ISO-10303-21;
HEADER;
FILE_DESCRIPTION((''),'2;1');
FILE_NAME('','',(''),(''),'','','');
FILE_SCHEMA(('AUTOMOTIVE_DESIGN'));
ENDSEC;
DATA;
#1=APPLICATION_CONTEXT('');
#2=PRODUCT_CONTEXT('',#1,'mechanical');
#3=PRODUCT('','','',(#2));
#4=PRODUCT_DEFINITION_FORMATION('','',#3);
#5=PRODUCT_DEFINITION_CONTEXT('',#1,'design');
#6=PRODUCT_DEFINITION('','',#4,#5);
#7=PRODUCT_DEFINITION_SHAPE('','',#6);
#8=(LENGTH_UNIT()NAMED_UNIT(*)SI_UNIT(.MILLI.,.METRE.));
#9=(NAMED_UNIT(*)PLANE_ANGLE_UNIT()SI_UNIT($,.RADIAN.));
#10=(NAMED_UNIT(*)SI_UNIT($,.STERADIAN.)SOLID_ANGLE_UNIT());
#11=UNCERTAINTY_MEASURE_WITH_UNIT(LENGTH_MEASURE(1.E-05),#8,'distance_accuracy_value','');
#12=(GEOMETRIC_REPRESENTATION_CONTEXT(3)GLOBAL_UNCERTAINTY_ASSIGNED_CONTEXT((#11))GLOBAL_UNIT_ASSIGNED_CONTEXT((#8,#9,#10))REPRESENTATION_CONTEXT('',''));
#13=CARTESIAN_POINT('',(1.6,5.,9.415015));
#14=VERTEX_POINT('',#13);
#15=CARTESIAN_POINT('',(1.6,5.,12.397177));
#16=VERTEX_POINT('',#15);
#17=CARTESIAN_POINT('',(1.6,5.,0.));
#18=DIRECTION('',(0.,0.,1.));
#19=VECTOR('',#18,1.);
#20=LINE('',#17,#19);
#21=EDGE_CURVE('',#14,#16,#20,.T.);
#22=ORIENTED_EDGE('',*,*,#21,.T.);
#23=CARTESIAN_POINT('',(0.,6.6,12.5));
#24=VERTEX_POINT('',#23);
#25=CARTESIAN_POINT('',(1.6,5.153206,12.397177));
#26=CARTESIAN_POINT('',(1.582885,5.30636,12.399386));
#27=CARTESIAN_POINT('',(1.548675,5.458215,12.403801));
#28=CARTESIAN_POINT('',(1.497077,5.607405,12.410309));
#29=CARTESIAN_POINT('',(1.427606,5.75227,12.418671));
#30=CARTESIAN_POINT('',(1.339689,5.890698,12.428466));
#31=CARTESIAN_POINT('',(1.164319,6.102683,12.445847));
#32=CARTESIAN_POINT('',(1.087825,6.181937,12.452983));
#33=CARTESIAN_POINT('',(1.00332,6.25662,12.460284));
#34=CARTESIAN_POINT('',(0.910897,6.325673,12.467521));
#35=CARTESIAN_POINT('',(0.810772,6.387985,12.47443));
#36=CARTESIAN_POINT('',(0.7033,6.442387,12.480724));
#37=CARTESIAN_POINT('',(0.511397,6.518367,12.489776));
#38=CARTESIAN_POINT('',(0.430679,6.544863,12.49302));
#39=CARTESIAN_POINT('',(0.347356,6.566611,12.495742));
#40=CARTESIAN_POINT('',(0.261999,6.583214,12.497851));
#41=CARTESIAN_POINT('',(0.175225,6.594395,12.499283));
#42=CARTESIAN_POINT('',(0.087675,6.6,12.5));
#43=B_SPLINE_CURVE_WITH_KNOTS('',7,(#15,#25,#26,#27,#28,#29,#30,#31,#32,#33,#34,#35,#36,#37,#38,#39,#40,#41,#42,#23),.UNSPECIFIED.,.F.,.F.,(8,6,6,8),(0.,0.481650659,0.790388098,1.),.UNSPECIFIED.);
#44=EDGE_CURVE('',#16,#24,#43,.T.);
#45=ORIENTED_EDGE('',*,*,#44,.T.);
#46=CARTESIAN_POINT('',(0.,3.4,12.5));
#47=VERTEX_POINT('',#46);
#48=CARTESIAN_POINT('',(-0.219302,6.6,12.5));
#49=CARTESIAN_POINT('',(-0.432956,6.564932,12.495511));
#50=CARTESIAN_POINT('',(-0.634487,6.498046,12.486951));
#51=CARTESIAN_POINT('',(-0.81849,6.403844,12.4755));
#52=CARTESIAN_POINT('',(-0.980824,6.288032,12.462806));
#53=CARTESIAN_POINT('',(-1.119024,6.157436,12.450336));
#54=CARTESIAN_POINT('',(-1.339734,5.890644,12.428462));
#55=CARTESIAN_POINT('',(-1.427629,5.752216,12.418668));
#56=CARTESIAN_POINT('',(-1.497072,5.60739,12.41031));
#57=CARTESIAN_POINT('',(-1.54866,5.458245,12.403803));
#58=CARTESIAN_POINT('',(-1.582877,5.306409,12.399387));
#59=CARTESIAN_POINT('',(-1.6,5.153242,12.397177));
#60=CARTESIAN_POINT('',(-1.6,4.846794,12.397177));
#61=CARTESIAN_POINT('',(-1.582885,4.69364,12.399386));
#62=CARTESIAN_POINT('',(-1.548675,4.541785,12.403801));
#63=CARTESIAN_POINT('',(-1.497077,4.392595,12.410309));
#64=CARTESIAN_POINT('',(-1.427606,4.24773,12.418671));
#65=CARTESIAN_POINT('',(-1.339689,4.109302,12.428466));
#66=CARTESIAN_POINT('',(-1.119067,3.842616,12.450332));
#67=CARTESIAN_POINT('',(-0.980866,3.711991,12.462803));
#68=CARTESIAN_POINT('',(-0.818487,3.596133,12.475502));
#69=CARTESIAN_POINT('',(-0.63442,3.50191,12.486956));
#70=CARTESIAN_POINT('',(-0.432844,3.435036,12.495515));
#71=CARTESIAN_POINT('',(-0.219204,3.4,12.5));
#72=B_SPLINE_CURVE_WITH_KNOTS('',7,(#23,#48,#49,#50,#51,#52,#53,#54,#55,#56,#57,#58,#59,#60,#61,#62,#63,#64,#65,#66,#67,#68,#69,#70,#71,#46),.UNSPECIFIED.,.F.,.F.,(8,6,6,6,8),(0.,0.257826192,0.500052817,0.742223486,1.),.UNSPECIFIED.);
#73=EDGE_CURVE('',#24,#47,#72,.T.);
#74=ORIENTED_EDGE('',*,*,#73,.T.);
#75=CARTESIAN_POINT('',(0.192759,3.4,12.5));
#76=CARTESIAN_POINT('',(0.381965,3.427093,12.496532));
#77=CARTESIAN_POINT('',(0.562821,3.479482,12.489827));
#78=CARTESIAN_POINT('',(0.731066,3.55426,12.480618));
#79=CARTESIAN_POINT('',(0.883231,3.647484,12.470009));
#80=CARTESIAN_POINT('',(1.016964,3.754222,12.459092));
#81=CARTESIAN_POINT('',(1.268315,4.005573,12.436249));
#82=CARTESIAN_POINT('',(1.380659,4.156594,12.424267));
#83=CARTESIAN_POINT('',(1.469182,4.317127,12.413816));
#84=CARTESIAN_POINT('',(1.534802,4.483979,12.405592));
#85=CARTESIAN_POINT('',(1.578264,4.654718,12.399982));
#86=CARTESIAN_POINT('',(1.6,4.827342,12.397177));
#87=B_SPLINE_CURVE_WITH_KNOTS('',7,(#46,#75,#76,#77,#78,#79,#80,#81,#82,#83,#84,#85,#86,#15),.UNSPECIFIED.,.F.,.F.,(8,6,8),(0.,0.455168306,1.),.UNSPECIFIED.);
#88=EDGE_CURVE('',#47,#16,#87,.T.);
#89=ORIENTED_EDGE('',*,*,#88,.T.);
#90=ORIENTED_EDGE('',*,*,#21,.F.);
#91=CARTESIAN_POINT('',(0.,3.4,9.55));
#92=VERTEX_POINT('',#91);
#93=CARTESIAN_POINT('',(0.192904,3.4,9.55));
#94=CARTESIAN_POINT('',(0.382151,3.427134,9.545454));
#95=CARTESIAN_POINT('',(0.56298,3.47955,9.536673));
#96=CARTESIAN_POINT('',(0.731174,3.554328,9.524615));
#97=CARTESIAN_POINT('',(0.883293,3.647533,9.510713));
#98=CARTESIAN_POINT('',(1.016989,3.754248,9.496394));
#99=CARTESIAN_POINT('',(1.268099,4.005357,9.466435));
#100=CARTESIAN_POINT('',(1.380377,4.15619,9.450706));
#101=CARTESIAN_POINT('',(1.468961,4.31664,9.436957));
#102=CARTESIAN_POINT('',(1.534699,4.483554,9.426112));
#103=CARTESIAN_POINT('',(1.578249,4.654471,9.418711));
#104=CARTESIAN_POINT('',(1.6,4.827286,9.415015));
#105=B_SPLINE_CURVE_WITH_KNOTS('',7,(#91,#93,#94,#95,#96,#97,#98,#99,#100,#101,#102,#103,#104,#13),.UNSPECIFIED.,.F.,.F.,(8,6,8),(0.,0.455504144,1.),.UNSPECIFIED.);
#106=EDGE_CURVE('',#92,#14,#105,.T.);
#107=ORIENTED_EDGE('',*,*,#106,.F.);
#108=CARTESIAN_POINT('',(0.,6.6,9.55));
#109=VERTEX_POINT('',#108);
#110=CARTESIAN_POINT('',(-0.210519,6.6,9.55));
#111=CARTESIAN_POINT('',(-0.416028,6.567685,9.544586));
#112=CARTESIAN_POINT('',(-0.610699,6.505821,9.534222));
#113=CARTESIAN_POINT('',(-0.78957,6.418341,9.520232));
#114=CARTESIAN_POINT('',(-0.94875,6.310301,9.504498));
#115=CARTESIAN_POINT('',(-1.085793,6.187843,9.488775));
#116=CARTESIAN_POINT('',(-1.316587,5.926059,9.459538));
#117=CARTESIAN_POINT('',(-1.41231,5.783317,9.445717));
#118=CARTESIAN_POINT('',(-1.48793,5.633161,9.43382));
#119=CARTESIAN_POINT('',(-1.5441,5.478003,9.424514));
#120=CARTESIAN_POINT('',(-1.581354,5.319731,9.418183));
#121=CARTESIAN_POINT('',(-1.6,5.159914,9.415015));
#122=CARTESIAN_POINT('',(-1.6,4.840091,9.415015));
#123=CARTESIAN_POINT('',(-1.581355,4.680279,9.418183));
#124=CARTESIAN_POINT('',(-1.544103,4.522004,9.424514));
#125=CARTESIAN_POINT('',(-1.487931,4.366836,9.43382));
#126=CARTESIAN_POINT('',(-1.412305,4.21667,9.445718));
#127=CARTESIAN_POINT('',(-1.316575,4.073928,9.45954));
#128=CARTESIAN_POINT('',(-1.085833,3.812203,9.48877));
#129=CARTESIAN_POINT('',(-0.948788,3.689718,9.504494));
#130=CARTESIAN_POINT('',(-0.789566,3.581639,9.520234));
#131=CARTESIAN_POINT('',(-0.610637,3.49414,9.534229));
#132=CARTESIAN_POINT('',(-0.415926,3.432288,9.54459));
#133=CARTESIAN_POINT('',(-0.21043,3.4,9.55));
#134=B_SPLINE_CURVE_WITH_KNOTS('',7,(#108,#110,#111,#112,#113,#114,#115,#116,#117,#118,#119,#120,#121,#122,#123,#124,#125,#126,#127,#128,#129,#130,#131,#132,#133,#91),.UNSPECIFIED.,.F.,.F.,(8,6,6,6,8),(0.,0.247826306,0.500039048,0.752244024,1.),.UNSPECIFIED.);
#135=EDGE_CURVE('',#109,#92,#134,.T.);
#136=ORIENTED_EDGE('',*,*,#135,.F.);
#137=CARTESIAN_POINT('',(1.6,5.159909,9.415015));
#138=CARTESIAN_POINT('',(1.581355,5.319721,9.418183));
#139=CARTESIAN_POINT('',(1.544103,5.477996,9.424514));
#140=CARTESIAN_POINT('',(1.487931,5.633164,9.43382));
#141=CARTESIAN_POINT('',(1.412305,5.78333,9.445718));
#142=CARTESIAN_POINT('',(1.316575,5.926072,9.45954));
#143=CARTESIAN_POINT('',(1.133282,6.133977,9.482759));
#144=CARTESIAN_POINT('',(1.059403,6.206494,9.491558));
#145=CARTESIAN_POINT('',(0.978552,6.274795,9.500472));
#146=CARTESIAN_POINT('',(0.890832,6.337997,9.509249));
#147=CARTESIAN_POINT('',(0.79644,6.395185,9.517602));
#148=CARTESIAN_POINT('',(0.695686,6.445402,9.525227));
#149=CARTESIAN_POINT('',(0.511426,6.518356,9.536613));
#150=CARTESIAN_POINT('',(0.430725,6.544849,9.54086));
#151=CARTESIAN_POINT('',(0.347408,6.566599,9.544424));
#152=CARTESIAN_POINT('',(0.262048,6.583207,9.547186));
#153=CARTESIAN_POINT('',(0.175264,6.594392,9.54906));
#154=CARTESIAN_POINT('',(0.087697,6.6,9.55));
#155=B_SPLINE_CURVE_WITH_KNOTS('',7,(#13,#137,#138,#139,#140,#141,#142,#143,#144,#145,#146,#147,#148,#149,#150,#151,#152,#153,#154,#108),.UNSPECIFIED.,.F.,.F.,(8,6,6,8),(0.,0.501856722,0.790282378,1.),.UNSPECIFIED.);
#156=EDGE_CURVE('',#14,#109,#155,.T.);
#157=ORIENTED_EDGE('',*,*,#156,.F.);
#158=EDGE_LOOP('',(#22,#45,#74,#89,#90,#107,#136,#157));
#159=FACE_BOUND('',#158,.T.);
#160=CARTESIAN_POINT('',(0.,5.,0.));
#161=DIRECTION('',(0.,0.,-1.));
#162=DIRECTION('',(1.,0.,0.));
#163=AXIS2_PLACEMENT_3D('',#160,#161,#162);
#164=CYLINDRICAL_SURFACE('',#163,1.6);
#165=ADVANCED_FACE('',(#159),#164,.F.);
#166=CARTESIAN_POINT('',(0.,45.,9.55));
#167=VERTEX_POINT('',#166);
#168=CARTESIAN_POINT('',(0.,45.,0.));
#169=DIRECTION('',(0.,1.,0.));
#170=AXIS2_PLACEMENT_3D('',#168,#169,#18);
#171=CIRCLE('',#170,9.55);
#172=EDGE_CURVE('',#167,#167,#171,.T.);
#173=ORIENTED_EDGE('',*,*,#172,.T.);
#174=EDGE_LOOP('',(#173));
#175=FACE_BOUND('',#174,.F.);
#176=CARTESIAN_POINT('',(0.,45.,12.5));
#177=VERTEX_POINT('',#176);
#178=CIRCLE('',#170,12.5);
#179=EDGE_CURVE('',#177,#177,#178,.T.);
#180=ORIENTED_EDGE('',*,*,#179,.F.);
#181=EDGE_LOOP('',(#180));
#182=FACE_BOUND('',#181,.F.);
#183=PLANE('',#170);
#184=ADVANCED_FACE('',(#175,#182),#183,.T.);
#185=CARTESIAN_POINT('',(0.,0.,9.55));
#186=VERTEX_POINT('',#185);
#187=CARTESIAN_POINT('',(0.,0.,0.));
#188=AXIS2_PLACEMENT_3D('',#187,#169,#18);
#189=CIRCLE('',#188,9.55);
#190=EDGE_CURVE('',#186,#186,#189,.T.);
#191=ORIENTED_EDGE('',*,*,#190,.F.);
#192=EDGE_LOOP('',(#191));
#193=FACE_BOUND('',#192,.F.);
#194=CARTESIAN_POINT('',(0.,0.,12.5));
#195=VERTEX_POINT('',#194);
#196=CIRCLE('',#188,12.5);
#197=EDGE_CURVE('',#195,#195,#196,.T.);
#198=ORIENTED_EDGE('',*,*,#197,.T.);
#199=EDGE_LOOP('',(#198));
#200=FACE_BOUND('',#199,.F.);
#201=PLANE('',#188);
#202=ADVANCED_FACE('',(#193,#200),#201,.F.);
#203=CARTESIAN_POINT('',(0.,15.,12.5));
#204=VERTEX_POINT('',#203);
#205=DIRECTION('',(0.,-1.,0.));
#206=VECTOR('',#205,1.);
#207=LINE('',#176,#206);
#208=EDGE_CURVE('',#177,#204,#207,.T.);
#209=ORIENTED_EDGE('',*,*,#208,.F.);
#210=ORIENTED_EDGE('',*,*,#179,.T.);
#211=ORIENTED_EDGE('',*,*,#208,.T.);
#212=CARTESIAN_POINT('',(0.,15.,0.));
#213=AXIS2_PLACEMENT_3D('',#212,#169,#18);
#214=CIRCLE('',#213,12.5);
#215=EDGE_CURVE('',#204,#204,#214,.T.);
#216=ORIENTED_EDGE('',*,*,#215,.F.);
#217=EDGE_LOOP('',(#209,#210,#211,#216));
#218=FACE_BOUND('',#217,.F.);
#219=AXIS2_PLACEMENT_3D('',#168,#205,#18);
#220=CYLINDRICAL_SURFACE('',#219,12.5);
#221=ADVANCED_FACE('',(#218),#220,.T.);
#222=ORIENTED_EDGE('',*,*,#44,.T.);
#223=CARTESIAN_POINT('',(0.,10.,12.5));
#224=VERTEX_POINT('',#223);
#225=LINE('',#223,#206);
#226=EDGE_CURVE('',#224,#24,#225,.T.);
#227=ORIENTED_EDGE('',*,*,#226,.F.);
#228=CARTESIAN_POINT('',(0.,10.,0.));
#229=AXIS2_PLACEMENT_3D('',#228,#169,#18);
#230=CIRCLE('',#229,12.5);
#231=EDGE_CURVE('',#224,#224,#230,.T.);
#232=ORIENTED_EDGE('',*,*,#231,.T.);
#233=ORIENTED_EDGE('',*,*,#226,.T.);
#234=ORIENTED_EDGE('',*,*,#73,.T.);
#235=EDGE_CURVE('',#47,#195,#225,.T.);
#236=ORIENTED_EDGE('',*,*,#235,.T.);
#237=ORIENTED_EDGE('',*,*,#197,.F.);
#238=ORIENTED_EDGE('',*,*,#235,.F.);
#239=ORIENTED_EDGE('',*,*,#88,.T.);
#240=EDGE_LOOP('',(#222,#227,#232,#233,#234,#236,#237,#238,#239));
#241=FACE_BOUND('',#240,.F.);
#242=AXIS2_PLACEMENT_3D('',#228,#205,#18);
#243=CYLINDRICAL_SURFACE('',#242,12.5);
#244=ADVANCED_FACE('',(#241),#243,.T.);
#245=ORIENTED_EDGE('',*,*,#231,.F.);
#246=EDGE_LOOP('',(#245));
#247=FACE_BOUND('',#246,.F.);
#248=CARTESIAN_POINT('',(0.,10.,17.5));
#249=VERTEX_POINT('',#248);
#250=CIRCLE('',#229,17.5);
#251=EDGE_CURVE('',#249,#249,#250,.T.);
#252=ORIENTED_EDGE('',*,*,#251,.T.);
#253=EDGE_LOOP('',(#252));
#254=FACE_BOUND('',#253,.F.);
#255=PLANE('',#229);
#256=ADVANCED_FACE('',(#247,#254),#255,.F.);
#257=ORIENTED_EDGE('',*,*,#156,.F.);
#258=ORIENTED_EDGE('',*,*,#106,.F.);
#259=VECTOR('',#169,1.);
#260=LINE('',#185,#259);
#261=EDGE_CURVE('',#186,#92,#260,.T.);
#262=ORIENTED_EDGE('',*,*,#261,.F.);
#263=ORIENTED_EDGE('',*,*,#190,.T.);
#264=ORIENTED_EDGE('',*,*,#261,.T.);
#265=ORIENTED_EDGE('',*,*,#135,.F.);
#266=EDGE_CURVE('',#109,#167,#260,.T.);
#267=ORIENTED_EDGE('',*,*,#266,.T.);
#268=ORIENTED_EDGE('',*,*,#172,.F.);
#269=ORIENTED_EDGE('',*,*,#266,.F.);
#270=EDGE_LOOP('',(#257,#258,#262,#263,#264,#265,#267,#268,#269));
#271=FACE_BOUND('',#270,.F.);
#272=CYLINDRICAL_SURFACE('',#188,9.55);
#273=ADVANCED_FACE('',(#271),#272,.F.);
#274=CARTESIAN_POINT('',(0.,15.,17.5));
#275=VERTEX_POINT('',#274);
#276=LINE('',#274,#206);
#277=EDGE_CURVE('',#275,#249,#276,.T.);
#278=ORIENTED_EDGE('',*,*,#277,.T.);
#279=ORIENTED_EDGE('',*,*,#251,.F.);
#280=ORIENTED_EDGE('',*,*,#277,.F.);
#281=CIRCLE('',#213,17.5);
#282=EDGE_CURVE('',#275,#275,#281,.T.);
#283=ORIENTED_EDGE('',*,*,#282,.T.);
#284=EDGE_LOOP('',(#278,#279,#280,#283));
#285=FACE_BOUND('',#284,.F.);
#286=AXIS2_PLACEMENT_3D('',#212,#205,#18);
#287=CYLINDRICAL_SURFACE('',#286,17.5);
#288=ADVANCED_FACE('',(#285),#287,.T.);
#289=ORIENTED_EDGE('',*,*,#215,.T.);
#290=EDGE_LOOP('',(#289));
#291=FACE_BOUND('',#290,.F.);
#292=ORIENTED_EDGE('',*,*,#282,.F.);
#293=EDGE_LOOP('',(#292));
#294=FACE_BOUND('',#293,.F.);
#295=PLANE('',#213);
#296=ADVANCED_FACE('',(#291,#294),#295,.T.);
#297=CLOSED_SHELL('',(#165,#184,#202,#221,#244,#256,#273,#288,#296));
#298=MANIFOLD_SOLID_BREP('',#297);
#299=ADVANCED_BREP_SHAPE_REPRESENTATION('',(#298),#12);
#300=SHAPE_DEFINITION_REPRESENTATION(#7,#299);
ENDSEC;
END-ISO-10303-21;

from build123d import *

# Parameters (mm, degrees)
F2_R     = 1.6
F3_DEPTH = 17.501


with BuildPart() as f1:
    # F0 (on Right) → F1 (revolve)
    with BuildSketch(Plane.YZ):
        Polygon((0, 12.5), (0, 9.55), (45, 9.55), (45, 12.5), (15, 12.5), (15, 17.5), (10, 17.5), (10, 12.5), align=None)
    revolve(axis=Axis((0, 25.840476, 0), (0, 1, 0)))

    # F2 (on Top) → F3 (cut, through all)
    with BuildSketch(Plane.XY):
        with Locations((0, 5)):
            Circle(F2_R)
    extrude(amount=F3_DEPTH, mode=Mode.SUBTRACT)


solid = f1.part
